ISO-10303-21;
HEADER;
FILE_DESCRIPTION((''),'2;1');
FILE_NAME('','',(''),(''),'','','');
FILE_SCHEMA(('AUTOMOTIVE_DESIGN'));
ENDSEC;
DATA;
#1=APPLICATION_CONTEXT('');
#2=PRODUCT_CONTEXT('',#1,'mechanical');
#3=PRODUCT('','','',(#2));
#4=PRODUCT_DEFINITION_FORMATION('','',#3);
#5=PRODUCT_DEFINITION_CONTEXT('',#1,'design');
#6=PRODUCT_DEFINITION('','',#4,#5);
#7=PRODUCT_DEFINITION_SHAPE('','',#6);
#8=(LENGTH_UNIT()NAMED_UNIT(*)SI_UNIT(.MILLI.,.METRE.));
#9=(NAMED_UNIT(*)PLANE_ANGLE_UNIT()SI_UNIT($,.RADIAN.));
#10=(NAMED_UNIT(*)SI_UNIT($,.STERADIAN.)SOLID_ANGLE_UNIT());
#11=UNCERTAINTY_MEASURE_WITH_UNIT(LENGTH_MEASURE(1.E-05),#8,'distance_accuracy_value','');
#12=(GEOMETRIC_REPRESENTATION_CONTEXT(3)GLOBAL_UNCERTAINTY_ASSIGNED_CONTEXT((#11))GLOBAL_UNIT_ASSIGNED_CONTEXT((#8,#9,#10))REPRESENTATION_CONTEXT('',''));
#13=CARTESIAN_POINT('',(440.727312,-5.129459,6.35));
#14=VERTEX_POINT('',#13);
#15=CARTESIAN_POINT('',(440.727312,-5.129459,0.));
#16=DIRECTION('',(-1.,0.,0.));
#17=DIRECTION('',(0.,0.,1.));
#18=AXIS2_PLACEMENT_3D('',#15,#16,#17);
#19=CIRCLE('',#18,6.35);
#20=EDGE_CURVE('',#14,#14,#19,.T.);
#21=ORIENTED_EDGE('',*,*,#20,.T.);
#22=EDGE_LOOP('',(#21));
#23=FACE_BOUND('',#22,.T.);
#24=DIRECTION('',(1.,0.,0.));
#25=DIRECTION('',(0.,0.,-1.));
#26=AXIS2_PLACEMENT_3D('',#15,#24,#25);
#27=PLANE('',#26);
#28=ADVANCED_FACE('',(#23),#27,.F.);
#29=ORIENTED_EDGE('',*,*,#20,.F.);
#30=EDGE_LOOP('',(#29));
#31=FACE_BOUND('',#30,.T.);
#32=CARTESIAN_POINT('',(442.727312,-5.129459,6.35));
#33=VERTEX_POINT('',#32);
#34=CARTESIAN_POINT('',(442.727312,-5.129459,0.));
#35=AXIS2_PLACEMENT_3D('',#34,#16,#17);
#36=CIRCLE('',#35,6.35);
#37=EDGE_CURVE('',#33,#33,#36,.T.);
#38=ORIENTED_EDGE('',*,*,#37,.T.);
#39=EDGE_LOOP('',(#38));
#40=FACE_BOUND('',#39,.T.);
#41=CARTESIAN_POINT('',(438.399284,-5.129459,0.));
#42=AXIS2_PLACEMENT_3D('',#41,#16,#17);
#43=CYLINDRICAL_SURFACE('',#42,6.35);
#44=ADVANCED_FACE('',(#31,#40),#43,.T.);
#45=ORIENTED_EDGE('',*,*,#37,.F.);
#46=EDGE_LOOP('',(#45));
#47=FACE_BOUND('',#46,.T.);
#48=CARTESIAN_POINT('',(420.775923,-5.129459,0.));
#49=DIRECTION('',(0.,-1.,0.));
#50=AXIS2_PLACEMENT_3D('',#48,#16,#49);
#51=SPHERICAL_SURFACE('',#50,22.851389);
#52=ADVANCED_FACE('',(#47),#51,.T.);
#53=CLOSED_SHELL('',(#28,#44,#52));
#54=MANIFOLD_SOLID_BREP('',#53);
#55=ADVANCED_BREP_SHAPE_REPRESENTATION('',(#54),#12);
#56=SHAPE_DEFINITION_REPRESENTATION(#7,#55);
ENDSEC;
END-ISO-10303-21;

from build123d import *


with BuildPart() as part:
    # 草图1 → 旋转1 (revolve)
    with BuildSketch(Plane.XY, mode=Mode.PRIVATE) as revolve_1_sk:
        with BuildLine():
            Line((440.727312385, -5.12945932), (440.727312385, 1.22054068))
            Line((440.727312385, 1.22054068), (442.727312385, 1.22054068))
            ThreePointArc((442.727312385, 1.22054068), (443.401193641, -1.922728118), (443.627312385, -5.12945932))
            Line((443.627312385, -5.12945932), (440.727312385, -5.12945932))
        make_face()
    revolve(revolve_1_sk.sketch.rotate(Axis((438.399283895, -5.12945932, 0), (1, 0, 0)), 180), axis=Axis((438.399283895, -5.12945932, 0), (1, 0, 0)))  # turned: the seam where the file's is


solid = part.part
